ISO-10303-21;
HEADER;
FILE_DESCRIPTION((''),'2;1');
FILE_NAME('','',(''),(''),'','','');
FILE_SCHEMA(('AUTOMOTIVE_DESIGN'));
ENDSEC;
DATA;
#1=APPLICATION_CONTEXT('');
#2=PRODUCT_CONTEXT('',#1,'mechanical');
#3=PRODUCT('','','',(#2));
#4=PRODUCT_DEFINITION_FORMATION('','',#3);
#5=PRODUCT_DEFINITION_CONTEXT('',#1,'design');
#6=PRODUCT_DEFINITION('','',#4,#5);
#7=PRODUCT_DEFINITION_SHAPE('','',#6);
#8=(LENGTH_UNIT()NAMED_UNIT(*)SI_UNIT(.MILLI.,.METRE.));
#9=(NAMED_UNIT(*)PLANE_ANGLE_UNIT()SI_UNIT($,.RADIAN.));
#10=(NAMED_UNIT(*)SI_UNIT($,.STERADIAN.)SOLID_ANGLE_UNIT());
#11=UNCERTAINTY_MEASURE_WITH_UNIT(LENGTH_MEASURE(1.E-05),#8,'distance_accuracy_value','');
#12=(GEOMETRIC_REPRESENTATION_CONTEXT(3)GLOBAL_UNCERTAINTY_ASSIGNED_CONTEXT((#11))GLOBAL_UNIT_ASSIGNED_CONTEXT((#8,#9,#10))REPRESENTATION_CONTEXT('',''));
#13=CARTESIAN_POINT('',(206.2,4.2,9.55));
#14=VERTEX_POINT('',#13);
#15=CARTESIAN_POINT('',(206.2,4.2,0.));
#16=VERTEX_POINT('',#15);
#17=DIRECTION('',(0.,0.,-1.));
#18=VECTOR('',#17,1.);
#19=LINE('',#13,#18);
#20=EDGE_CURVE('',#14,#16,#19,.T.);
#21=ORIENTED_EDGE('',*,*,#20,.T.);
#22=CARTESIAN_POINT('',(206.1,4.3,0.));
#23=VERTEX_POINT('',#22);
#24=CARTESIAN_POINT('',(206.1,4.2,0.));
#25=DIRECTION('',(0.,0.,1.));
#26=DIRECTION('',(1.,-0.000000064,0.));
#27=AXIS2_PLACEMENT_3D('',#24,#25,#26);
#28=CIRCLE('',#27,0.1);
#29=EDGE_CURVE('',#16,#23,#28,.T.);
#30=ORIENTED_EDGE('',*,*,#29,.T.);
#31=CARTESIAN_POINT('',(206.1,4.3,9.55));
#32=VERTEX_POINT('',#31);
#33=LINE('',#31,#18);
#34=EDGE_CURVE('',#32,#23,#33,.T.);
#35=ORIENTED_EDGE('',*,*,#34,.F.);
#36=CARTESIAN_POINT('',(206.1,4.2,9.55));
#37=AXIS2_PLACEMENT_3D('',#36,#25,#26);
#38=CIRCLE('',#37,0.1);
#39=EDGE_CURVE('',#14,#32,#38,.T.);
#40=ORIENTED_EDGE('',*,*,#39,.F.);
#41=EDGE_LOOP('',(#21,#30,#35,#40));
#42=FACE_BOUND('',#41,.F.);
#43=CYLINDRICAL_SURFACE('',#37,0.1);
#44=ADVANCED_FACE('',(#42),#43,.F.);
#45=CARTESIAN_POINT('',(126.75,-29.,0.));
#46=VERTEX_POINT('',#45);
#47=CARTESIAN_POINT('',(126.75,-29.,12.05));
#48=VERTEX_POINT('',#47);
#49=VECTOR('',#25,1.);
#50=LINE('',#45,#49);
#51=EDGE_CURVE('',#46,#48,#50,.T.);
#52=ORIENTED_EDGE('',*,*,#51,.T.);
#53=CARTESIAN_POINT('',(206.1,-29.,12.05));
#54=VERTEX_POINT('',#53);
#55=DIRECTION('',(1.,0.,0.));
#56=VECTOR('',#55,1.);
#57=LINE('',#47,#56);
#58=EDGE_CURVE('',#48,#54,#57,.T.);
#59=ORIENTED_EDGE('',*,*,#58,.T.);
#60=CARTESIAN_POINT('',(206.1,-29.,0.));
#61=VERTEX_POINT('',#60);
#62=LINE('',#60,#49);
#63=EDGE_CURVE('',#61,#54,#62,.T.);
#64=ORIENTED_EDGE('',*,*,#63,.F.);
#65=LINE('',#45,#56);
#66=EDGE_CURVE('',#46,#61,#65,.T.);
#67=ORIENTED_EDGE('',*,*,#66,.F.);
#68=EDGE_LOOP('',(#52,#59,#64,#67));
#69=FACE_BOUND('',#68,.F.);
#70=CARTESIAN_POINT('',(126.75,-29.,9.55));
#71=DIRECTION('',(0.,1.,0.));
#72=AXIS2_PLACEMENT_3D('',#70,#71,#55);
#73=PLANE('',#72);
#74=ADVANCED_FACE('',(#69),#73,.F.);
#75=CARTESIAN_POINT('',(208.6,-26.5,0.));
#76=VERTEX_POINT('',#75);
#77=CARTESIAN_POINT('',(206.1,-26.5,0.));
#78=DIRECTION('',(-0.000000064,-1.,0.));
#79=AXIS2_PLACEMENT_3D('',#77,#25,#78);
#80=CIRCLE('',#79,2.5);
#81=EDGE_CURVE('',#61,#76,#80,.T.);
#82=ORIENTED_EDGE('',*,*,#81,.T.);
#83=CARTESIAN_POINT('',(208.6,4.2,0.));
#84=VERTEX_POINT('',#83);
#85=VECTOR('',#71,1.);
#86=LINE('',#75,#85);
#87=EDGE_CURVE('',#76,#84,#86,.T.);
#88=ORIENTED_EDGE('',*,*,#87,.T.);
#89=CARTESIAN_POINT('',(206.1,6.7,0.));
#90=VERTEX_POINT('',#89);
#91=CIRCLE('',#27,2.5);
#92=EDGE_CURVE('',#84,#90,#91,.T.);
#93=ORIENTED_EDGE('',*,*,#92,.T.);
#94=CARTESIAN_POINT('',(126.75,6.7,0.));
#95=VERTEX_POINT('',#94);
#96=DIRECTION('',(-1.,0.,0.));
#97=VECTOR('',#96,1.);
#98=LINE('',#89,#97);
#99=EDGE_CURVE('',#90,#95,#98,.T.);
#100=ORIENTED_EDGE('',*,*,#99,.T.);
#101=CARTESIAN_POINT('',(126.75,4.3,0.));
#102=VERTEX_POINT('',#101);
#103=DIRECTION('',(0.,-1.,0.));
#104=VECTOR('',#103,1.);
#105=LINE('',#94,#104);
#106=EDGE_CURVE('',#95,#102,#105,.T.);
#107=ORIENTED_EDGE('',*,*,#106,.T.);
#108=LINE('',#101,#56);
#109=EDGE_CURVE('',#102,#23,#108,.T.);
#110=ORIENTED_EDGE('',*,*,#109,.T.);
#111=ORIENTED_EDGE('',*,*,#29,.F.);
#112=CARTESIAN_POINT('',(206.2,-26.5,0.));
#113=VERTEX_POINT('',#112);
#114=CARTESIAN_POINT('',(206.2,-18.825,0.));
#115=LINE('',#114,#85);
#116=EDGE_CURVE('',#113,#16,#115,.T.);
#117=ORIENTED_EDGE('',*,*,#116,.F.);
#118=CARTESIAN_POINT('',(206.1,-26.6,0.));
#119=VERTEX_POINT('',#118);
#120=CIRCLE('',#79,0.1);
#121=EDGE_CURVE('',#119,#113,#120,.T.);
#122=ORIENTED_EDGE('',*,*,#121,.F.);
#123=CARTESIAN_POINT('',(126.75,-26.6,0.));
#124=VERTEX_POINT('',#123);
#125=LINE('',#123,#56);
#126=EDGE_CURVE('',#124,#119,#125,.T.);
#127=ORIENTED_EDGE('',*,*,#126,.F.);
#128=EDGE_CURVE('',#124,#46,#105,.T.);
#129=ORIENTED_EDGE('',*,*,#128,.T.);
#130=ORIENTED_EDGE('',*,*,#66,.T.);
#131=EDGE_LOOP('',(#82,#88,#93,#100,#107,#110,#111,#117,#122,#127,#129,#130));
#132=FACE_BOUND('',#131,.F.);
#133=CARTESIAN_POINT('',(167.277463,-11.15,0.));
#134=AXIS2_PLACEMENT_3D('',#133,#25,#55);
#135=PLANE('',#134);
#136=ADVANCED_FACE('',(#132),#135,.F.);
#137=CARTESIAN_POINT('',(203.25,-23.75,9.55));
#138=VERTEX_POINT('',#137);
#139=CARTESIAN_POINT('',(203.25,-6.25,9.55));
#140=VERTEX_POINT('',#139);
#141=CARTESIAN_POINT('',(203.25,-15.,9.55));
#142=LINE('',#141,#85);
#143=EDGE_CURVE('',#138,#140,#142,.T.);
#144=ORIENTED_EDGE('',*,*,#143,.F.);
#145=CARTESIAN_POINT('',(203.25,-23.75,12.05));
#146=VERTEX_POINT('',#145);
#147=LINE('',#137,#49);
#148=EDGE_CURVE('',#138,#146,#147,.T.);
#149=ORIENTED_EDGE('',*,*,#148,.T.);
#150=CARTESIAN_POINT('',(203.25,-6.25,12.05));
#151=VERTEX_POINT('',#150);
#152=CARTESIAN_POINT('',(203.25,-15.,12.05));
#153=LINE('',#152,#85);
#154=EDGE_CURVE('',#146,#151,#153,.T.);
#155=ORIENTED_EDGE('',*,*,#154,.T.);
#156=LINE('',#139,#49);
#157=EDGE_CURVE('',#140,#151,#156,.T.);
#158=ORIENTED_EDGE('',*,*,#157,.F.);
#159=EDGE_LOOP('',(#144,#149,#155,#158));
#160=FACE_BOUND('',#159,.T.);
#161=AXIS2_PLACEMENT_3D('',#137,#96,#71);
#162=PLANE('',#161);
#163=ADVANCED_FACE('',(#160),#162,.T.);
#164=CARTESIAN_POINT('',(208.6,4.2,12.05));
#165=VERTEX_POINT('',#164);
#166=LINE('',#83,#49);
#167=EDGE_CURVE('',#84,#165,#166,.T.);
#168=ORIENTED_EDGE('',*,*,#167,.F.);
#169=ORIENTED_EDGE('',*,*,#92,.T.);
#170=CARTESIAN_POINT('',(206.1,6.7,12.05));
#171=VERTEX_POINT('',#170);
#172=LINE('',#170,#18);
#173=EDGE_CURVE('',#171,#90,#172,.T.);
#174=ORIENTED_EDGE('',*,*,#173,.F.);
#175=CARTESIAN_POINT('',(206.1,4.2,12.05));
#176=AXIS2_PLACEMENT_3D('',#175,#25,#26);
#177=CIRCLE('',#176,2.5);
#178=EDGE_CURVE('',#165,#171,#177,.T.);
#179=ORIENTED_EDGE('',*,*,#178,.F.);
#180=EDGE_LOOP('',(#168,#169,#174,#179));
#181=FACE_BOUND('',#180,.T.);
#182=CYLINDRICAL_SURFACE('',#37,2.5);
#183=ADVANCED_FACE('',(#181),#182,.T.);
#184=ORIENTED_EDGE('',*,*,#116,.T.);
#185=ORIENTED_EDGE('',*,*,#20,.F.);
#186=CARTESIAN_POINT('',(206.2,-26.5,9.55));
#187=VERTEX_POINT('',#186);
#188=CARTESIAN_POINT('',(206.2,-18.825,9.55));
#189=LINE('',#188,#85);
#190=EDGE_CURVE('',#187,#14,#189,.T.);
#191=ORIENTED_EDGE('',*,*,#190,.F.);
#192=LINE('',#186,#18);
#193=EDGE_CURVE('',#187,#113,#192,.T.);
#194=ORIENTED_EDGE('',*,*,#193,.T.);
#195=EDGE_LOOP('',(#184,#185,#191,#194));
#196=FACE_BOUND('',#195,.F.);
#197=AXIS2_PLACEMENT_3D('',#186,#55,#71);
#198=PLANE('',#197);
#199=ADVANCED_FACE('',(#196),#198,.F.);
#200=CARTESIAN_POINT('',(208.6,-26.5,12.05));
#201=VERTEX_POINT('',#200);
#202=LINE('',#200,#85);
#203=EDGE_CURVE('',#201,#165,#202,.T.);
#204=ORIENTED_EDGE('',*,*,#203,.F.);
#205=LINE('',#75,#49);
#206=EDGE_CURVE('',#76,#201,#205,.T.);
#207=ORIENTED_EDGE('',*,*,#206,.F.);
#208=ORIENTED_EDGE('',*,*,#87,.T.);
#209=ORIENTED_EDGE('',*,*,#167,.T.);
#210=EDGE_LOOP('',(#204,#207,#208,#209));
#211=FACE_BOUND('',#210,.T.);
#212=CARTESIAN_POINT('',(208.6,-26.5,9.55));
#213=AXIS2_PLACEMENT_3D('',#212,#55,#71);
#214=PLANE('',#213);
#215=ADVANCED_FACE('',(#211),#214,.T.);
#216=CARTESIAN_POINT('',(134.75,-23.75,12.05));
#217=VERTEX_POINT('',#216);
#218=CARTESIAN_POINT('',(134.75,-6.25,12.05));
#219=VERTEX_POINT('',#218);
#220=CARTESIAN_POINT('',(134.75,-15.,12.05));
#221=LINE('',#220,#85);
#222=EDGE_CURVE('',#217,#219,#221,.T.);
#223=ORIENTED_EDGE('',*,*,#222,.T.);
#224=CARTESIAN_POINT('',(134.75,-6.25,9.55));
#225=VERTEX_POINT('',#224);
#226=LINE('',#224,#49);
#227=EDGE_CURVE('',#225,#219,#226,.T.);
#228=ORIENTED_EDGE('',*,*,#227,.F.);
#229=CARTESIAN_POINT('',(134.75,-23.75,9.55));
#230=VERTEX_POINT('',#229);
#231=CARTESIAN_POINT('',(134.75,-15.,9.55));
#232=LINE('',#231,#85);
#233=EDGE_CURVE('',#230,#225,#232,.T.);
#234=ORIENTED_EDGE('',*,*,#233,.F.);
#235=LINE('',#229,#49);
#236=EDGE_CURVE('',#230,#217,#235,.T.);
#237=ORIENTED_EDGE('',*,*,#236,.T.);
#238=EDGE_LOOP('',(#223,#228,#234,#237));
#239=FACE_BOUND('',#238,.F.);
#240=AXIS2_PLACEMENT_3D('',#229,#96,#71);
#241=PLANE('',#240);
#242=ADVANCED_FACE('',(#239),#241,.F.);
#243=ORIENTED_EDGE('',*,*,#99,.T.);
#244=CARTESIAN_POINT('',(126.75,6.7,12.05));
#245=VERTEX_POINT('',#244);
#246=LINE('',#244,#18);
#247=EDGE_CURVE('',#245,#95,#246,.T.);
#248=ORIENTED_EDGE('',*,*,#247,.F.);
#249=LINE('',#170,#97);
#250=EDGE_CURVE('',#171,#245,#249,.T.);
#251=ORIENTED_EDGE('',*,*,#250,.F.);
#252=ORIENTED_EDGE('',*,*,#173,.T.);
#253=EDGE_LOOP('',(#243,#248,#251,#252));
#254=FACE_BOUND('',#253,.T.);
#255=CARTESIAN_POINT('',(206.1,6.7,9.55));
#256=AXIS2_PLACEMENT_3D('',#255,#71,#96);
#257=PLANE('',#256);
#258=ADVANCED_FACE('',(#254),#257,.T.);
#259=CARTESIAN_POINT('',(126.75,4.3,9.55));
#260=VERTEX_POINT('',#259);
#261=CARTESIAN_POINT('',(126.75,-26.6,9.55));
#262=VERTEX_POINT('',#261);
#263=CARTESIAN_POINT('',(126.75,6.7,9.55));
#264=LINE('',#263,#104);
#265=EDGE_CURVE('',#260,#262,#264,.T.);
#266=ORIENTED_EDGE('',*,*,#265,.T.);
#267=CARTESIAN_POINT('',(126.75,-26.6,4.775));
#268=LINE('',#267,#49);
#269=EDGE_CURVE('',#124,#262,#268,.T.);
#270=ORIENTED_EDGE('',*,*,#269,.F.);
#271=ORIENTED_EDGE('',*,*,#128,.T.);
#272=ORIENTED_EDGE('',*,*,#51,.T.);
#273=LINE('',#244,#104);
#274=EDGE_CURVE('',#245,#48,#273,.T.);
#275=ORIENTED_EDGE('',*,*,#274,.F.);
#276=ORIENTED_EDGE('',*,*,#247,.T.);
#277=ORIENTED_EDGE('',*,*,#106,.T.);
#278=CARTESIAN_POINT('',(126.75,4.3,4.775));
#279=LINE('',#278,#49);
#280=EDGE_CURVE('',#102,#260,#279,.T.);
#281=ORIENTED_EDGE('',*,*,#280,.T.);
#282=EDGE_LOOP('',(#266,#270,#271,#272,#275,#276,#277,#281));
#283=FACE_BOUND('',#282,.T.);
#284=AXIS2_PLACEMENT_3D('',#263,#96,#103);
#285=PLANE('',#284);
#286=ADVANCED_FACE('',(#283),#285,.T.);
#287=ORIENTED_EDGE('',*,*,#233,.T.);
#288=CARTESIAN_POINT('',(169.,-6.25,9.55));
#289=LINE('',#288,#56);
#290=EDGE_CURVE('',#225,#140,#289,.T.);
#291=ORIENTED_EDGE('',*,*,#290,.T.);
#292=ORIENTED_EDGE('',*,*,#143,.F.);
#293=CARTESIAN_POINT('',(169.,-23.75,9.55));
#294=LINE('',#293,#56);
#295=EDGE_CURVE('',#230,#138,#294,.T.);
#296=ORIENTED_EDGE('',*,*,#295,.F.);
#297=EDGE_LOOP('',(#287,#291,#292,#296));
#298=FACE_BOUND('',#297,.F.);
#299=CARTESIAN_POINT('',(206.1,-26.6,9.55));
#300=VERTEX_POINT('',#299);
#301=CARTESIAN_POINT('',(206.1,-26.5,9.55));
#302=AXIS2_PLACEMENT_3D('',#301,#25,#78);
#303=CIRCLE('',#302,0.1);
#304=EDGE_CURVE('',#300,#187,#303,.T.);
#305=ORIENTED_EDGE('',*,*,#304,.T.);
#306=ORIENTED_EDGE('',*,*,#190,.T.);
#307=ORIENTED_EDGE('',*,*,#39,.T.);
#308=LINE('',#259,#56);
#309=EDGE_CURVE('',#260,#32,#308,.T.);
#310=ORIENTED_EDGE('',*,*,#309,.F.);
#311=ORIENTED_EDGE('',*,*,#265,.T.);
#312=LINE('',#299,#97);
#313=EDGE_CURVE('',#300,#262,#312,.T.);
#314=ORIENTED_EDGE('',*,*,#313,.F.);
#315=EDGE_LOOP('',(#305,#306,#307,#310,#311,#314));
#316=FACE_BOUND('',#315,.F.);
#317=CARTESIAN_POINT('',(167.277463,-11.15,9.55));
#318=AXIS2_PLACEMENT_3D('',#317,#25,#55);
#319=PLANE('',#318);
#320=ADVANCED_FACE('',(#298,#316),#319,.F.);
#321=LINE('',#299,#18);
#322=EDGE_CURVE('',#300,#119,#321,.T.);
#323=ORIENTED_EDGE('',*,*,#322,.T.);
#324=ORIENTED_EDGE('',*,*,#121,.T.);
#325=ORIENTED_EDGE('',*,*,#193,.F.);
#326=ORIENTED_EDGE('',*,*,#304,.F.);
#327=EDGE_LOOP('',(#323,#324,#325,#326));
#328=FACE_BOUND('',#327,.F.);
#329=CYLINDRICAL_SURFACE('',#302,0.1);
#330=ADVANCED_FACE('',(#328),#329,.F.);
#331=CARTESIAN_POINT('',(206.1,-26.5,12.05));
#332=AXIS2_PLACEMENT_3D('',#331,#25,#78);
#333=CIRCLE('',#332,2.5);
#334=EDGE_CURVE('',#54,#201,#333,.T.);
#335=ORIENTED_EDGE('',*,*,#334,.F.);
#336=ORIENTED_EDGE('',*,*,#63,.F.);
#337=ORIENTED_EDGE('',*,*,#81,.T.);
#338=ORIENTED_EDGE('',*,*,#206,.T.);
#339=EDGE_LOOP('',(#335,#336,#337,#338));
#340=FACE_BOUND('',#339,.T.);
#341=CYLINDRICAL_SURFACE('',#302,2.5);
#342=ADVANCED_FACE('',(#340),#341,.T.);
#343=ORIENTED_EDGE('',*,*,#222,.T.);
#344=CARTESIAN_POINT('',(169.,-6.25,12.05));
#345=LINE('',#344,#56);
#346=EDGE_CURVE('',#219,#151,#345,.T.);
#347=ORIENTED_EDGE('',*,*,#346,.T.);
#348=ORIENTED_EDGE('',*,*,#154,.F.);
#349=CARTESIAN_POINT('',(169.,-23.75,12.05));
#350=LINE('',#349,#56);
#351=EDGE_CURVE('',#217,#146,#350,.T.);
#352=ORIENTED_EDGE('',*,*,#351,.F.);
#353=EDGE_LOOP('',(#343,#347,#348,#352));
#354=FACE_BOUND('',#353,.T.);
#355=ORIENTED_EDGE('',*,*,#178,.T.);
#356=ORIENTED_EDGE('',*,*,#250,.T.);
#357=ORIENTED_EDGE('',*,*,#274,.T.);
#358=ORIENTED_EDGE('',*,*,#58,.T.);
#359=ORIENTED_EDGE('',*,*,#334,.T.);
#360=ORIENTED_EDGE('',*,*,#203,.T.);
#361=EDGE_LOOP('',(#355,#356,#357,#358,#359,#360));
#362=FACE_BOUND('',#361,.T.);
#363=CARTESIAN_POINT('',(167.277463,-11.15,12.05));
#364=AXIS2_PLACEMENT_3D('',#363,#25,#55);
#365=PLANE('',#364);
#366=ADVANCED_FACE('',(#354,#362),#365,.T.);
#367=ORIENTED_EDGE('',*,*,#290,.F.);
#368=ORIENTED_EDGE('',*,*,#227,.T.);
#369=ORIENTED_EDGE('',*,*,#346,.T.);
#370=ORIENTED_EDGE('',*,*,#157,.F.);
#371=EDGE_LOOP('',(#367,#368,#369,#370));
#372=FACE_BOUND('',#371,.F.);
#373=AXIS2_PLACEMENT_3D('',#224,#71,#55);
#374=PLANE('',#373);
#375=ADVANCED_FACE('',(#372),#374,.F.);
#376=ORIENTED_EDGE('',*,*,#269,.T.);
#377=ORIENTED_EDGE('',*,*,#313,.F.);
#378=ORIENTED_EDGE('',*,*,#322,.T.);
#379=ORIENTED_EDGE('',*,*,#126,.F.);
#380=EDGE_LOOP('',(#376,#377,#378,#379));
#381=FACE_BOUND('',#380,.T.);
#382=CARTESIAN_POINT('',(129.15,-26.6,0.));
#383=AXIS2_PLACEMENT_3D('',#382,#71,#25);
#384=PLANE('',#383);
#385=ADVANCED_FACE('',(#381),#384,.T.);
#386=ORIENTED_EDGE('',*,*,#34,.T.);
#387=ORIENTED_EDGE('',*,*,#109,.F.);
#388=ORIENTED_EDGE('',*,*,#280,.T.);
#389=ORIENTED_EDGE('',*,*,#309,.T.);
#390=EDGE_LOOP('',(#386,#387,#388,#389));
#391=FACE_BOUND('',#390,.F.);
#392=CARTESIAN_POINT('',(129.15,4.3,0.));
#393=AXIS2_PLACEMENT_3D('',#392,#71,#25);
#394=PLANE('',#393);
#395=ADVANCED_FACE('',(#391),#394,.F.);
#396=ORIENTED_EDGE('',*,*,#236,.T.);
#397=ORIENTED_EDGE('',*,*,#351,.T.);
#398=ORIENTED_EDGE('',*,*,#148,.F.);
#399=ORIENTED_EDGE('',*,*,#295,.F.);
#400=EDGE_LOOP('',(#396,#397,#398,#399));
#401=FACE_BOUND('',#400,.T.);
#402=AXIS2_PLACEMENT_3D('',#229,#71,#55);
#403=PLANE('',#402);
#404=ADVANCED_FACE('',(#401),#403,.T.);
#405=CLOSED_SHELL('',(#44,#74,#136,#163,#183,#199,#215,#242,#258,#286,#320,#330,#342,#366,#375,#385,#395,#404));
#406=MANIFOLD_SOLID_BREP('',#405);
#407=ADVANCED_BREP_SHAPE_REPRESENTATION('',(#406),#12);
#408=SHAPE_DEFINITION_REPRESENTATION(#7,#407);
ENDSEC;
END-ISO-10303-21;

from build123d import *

# Parameters (mm, degrees)
PAD038_DEPTH    = 9.55
THICKNESS004_T  = -2.4
SKETCH044_W     = 30.9
SKETCH044_H     = 9.55
POCKET008_DEPTH = 2.4
SKETCH040_W     = 68.5
SKETCH040_H     = 17.5
PAD036_DEPTH    = 2.5


with BuildPart() as body012:
    # Sketch043 → Pad038 (new body)
    with BuildSketch(Plane.XY):
        with BuildLine():
            Line((126.75, 6.7), (126.75, -29))
            Line((126.75, -29), (206.1, -29))
            ThreePointArc((206.1, -29), (207.867767, -28.267767), (208.6, -26.5))
            Line((208.6, -26.5), (208.6, 4.2))
            ThreePointArc((208.6, 4.2), (207.867767, 5.967767), (206.1, 6.7))
            Line((206.1, 6.7), (126.75, 6.7))
        make_face()
    extrude(amount=-PAD038_DEPTH)

    # Thickness004
    thickness004_openings = [body012.faces().sort_by_distance(p)[0] for p in [
        (167.637908, -11.15, -9.55),
        (167.637908, -11.15, 0),
    ]]
    offset(amount=THICKNESS004_T, openings=thickness004_openings, kind=Kind.INTERSECTION)

    # Sketch044 (on Face8 of Thickness004) → Pocket008 (cut)
    with BuildSketch(Plane.YZ.offset(129.15)):
        with Locations((-11.15, -4.775)):
            Rectangle(SKETCH044_W, SKETCH044_H)
    extrude(amount=-POCKET008_DEPTH, mode=Mode.SUBTRACT)


with BuildPart() as body012_1:
    # Body012 placement: moved
    add(body012.part.moved(Location((0, 0, 10))))


with BuildPart() as tail_cover:
    # Sketch040 → Pad036 (new body)
    with BuildSketch(Plane.XY):
        with BuildLine():
            Line((126.75, 6.7), (126.75, -29))
            Line((126.75, -29), (206.1, -29))
            ThreePointArc((206.1, -29), (207.867767, -28.267767), (208.6, -26.5))
            Line((208.6, -26.5), (208.6, 4.2))
            ThreePointArc((208.6, 4.2), (207.867767, 5.967767), (206.1, 6.7))
            Line((206.1, 6.7), (126.75, 6.7))
        make_face()
        with Locations((169, -15)):
            Rectangle(SKETCH040_W, SKETCH040_H, mode=Mode.SUBTRACT)
    extrude(amount=PAD036_DEPTH)


with BuildPart() as tail_cover_1:
    # Body010 placement: moved
    add(tail_cover.part.moved(Location((0, 0, 10))))

    # Fusion: union Body012
    add(body012_1.part)


with BuildPart() as tail_cover_2:
    # Fusion placement: moved
    add(tail_cover_1.part.moved(Location((0, 0, -0.45))))


solid = tail_cover_2.part
